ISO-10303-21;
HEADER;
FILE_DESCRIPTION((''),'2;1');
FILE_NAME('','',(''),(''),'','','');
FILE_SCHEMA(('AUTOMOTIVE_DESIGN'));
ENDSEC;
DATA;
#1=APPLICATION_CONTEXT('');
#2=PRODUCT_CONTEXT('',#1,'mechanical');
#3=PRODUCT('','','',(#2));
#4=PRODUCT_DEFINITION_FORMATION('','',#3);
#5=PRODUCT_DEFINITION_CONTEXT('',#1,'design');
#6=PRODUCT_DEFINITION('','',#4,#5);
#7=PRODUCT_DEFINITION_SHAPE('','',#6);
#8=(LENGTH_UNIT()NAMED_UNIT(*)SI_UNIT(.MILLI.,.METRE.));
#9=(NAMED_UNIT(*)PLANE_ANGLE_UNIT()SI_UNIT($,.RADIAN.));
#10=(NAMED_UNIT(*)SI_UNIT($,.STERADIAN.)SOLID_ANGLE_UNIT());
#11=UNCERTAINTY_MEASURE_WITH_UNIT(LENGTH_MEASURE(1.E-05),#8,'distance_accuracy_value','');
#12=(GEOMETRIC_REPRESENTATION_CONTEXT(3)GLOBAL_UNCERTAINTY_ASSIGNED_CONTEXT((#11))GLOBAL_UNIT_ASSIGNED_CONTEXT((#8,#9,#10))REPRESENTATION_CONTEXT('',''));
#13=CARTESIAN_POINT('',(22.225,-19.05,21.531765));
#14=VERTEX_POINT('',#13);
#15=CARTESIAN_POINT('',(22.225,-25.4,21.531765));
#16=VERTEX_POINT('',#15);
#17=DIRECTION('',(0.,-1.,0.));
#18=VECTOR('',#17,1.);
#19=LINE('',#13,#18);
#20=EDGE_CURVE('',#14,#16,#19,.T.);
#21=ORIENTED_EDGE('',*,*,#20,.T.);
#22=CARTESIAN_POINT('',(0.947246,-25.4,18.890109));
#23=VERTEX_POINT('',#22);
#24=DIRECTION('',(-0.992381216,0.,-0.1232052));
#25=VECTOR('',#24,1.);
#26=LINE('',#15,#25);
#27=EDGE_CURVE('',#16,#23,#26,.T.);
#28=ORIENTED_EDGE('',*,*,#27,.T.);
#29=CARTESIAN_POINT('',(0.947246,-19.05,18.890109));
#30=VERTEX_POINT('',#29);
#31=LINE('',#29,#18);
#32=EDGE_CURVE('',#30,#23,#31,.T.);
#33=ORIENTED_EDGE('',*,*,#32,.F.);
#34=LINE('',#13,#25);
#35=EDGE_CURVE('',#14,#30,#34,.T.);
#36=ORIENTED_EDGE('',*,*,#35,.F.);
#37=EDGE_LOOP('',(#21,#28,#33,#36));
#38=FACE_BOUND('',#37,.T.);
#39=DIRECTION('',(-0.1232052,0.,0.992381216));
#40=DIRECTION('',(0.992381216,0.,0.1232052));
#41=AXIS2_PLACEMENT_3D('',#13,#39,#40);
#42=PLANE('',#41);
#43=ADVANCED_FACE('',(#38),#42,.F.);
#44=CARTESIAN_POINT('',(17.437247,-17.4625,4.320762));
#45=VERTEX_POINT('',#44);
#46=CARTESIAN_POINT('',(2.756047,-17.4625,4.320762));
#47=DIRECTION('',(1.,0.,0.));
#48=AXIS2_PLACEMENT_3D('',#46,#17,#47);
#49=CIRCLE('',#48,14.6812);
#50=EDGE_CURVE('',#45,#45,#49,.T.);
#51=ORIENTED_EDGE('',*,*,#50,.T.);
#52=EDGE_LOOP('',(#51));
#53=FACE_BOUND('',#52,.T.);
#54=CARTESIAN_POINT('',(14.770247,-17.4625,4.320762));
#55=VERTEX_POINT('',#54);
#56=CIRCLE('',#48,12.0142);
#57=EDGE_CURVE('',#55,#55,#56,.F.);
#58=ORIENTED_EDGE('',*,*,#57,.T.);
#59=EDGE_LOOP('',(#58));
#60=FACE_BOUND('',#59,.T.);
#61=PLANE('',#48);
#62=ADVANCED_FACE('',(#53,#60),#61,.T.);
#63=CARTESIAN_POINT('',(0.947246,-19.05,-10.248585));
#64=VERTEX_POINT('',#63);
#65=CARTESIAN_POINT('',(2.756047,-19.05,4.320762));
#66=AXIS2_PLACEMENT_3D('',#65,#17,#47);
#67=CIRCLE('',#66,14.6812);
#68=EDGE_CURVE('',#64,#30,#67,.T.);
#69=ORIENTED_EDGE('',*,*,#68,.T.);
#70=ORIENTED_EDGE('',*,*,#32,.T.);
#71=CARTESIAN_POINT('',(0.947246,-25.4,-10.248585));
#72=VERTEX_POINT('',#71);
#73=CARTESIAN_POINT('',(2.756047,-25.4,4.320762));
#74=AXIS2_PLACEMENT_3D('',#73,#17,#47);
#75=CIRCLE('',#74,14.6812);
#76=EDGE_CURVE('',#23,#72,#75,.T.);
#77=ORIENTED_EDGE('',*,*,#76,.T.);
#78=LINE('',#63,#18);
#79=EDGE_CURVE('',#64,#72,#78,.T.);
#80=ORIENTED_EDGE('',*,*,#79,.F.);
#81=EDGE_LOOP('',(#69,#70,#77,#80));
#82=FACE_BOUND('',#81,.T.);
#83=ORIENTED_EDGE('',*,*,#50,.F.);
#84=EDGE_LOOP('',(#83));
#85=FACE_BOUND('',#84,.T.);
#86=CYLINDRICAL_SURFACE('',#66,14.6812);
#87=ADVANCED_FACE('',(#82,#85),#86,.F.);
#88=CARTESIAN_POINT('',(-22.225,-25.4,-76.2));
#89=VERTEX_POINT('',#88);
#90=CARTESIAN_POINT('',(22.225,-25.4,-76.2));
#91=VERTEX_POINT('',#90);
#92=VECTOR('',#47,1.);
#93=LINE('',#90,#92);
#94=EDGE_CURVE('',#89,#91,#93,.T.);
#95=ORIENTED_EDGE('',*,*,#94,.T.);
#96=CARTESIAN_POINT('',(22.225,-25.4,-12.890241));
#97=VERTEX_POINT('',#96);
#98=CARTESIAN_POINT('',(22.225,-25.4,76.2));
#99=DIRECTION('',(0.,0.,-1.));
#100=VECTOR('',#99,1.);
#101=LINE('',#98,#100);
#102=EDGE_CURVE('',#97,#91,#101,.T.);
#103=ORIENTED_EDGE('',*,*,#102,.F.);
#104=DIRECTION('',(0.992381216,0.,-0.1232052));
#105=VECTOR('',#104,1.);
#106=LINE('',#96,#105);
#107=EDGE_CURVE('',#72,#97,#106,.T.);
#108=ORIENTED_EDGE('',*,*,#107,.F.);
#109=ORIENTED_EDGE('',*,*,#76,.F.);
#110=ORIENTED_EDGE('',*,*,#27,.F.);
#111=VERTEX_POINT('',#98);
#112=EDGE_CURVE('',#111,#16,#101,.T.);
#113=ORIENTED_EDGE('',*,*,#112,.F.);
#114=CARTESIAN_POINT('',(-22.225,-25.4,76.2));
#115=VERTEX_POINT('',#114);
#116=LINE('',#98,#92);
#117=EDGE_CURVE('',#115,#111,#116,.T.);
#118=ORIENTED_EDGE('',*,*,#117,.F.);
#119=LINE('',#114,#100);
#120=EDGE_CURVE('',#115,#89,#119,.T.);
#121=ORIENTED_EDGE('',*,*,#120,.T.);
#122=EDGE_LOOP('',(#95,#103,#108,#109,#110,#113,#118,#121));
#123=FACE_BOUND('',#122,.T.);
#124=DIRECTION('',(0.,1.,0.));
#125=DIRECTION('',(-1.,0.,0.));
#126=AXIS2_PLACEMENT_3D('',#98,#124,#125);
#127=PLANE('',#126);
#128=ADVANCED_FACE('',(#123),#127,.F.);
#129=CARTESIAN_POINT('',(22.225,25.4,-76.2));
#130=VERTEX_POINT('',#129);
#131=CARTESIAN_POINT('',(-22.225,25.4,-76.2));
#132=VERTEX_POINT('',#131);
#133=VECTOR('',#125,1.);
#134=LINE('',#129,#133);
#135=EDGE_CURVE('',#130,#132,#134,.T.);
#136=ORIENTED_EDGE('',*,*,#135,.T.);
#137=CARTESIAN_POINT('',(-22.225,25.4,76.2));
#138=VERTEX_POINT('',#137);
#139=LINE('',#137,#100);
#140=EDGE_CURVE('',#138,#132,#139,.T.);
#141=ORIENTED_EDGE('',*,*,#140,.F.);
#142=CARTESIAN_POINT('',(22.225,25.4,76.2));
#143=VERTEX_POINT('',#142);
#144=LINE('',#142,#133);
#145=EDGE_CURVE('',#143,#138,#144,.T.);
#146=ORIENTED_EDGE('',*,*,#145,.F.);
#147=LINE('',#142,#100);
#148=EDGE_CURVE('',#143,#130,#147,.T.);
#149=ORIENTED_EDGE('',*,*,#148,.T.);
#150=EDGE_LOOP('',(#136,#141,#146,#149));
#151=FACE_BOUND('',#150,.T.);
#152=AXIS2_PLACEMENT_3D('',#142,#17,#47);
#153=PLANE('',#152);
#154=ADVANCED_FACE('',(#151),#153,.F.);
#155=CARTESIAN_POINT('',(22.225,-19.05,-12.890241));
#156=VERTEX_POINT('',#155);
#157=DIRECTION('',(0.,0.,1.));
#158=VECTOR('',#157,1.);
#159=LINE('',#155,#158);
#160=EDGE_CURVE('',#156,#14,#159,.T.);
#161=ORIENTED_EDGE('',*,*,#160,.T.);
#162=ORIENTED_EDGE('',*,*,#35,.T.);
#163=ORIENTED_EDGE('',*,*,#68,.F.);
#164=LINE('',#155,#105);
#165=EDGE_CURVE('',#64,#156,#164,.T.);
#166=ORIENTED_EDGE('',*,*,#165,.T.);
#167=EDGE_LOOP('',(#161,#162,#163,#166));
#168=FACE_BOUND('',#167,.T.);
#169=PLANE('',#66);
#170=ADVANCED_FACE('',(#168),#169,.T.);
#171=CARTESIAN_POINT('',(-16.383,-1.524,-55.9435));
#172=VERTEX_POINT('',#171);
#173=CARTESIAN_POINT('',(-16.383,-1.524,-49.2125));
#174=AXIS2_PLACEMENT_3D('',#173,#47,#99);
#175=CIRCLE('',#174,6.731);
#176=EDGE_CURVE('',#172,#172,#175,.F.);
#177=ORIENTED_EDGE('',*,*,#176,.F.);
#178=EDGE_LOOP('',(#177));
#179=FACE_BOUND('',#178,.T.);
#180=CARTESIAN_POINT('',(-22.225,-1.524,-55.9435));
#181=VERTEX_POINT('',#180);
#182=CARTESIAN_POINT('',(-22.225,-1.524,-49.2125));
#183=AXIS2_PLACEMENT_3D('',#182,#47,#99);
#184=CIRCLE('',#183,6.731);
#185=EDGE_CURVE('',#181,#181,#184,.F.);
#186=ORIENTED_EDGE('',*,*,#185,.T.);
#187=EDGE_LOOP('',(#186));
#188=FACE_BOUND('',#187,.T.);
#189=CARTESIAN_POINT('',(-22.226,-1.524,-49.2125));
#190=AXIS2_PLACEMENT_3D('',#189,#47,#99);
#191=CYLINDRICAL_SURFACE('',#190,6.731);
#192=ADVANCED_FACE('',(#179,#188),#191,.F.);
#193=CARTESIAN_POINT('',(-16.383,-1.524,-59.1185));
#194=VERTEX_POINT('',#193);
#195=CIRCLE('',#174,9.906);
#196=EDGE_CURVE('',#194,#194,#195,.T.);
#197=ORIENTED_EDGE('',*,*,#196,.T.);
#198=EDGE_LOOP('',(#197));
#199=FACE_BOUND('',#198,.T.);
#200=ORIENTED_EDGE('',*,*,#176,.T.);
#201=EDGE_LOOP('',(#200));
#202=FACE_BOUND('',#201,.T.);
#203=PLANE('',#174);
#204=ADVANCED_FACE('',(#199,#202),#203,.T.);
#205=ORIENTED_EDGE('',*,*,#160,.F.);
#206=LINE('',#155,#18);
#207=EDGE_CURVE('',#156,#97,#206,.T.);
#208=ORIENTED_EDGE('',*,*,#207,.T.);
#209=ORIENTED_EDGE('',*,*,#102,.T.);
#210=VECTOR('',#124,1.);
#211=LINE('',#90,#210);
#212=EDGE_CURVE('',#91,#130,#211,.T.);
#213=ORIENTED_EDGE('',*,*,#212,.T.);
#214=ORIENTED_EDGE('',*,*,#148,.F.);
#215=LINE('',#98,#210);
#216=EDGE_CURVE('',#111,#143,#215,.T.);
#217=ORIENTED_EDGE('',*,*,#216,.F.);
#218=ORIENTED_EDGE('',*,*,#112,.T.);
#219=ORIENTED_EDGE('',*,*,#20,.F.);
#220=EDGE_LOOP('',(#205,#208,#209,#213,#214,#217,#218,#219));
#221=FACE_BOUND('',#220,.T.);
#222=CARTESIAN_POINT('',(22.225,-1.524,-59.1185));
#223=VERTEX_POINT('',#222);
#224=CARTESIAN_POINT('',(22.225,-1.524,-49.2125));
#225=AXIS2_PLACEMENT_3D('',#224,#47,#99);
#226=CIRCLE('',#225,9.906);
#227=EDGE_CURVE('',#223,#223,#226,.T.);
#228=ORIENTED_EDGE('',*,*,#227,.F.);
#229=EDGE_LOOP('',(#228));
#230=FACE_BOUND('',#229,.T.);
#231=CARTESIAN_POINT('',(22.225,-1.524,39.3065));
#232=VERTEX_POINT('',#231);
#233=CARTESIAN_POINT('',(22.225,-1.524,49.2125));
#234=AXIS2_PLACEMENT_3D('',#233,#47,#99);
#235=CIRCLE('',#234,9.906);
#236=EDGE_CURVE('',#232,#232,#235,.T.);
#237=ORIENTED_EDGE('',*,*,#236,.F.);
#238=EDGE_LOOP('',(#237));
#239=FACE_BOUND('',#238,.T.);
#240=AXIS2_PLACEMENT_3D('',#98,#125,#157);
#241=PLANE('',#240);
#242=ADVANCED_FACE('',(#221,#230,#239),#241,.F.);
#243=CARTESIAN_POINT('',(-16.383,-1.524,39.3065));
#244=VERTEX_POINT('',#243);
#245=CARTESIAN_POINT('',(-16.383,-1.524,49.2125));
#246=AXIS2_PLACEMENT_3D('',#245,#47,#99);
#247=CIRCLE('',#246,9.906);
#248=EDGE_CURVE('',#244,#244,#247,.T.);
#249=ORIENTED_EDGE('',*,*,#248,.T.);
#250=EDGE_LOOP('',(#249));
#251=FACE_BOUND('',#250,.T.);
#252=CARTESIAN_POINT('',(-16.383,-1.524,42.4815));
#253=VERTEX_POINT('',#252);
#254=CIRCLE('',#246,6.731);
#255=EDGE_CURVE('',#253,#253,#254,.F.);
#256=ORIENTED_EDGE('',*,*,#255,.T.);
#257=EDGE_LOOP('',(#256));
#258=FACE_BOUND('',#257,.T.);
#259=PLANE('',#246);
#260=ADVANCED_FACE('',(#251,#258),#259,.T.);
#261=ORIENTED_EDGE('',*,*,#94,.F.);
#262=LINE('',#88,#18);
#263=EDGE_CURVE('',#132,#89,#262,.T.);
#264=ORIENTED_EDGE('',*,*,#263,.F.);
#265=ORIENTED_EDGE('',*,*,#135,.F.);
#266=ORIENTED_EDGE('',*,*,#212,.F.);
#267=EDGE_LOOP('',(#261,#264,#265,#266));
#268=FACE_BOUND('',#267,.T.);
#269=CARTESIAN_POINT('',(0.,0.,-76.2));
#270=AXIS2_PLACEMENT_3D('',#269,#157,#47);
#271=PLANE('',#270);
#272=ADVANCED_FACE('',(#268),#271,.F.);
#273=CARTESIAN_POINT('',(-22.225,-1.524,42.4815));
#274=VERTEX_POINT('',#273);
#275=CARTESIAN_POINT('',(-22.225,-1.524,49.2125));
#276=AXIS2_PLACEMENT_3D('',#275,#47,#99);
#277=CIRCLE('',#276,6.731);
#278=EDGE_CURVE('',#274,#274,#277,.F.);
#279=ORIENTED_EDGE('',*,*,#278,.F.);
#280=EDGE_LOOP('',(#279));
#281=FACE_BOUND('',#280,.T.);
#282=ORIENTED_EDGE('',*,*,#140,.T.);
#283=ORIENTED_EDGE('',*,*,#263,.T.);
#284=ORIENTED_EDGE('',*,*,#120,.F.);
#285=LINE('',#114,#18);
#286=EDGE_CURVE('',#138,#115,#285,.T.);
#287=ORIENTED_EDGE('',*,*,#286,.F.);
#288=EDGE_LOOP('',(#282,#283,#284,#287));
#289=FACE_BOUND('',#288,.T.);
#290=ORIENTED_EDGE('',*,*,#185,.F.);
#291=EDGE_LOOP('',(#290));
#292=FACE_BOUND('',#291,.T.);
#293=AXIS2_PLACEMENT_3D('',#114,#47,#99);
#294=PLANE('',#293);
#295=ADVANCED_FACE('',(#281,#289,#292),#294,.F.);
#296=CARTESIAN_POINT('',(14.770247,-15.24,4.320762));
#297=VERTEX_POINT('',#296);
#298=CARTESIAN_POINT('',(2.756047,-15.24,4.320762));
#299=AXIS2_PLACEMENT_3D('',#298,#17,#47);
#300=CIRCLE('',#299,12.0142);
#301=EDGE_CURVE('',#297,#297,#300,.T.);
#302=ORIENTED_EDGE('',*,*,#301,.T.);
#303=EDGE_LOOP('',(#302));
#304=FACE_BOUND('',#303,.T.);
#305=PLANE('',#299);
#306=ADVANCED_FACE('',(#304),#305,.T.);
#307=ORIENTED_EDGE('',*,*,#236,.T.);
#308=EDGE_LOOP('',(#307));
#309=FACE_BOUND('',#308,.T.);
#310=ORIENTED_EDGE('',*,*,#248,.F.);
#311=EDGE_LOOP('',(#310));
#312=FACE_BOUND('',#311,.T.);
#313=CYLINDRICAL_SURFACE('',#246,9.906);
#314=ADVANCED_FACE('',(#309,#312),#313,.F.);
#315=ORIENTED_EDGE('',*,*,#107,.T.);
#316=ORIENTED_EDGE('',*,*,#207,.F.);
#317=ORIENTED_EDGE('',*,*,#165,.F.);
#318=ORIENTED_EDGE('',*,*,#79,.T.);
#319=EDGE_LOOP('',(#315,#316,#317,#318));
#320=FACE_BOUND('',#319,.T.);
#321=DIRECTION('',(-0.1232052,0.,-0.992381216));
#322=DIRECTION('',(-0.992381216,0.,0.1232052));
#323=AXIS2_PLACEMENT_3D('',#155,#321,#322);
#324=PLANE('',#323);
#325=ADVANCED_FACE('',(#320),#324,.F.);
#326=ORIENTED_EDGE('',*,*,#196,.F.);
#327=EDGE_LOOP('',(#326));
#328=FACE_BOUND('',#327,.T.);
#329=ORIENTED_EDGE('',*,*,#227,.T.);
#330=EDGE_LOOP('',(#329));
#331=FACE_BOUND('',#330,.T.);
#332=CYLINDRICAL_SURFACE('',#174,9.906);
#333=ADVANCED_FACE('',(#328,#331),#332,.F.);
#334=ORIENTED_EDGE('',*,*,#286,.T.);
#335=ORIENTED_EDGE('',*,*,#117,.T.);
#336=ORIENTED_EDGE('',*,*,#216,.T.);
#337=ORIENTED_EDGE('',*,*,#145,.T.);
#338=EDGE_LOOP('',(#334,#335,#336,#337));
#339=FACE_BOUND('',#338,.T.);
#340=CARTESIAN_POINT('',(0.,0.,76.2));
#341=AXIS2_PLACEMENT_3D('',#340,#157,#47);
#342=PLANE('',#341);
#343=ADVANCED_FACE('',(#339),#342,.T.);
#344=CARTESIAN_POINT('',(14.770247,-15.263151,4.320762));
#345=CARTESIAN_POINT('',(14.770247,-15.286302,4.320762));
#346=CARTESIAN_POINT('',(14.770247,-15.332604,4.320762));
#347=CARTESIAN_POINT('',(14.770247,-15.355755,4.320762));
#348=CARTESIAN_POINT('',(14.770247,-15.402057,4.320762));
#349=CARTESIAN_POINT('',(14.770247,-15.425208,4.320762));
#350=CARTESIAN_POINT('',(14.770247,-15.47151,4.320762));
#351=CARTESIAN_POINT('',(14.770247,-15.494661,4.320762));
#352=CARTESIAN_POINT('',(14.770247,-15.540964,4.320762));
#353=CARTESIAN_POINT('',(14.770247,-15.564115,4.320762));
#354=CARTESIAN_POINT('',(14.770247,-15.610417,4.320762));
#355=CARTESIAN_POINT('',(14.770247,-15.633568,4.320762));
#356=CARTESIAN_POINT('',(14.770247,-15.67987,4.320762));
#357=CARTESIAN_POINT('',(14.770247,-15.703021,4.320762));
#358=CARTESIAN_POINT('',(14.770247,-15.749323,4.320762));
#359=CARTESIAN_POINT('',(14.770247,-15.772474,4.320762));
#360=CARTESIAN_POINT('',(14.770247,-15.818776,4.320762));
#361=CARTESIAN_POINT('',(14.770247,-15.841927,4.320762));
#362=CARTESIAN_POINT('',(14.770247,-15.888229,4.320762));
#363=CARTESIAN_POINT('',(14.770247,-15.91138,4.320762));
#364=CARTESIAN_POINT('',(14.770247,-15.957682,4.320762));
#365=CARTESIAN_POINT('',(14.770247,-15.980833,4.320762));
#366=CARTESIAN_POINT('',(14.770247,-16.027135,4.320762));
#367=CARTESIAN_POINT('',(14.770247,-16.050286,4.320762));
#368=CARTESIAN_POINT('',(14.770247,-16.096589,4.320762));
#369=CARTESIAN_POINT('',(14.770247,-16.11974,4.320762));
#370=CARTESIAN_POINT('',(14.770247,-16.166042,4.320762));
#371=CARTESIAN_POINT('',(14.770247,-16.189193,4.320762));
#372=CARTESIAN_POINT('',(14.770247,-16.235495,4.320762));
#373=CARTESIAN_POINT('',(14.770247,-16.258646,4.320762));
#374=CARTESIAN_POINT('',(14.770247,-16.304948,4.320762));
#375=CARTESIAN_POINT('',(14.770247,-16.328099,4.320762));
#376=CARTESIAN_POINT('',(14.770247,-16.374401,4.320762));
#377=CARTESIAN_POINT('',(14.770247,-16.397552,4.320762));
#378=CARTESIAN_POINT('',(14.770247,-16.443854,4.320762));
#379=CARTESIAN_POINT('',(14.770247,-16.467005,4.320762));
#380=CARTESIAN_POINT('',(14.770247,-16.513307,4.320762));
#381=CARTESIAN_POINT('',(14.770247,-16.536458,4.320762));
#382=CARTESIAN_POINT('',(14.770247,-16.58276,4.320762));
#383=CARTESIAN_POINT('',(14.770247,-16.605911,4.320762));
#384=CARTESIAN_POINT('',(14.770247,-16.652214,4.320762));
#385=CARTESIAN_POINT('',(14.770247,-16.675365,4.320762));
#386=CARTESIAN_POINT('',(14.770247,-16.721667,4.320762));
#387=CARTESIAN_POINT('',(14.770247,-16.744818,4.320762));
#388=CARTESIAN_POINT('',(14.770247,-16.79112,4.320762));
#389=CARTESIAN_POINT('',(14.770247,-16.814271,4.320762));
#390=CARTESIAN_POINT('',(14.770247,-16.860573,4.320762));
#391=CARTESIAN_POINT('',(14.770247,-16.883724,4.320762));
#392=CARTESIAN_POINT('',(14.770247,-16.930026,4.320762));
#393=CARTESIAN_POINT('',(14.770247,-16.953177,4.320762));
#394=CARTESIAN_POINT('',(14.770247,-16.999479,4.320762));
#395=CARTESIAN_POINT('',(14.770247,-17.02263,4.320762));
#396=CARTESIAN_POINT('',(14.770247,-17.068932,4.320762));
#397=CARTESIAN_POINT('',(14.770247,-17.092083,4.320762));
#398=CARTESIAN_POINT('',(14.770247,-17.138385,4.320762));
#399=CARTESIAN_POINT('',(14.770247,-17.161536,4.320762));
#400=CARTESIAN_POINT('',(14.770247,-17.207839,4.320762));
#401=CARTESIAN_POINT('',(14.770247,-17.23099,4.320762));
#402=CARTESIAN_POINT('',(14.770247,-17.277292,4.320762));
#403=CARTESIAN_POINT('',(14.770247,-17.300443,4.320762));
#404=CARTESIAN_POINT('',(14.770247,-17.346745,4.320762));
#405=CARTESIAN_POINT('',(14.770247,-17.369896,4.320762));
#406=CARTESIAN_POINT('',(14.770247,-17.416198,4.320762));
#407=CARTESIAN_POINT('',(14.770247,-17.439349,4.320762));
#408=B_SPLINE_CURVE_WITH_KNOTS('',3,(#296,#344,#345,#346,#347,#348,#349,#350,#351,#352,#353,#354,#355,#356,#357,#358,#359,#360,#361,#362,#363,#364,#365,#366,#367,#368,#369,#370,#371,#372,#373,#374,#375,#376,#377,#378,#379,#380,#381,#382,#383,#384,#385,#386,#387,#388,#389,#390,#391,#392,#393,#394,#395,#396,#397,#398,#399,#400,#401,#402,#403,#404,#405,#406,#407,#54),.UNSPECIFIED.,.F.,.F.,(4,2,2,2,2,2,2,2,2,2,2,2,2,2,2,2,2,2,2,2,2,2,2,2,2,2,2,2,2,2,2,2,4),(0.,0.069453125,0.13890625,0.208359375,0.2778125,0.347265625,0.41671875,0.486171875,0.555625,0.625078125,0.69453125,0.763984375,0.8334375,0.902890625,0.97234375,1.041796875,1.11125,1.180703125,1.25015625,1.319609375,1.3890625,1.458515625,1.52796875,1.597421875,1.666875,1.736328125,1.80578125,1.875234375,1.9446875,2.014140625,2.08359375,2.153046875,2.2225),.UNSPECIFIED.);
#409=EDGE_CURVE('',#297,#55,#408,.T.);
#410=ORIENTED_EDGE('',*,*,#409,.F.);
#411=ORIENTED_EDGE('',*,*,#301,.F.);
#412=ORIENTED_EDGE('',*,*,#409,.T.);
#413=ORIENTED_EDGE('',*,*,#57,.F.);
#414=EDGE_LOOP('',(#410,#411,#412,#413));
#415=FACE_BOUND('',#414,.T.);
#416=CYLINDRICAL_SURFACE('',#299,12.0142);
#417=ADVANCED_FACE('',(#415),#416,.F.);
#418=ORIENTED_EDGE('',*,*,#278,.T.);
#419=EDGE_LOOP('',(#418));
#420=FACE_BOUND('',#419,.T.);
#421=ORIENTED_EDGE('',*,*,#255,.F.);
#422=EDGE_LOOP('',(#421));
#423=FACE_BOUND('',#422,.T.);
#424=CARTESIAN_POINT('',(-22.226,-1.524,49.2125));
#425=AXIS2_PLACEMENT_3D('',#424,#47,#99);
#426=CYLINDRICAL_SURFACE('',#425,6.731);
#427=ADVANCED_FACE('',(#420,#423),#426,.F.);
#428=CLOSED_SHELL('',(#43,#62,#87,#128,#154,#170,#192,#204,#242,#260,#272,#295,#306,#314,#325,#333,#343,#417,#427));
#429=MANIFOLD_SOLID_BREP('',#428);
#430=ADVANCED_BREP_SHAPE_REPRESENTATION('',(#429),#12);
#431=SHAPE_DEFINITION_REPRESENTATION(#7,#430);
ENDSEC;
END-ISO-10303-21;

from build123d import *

# Parameters (mm, degrees)
SKETCH1_W           = 44.45
SKETCH1_H           = 50.8
BOSS_EXTRUDE1_DEPTH = 76.2
CUT_EXTRUDE1_REACH  = 93.801
SKETCH2_R           = 6.731
SKETCH3_R           = 9.906
CUT_EXTRUDE2_DEPTH  = 38.608
CUT_EXTRUDE3_DEPTH  = 6.35
SKETCH5_R           = 12.0142
CUT_EXTRUDE4_DEPTH  = 3.81
SKETCH6_R           = 14.6812
CUT_EXTRUDE5_DEPTH  = 1.5875


with BuildPart() as part:
    # Sketch1 → Boss-Extrude1 (new, symmetric)
    with BuildSketch(Plane.XY):
        Rectangle(SKETCH1_W, SKETCH1_H)
    extrude(amount=BOSS_EXTRUDE1_DEPTH, both=True)

    # Sketch2 → Cut-Extrude1 (cut, up to next)
    with BuildSketch(Plane(origin=(22.225, 0, 0), x_dir=(0, 0, -1), z_dir=(1, 0, 0)), mode=Mode.PRIVATE) as cut_extrude1_sk1:
        with Locations((-49.2125, -1.524)):
            Circle(SKETCH2_R)
    cut_extrude1_tool1 = extrude(cut_extrude1_sk1.sketch, amount=-CUT_EXTRUDE1_REACH, mode=Mode.PRIVATE) & part.part
    # Sketch2 → Cut-Extrude1 (cut, up to next)
    with BuildSketch(Plane(origin=(22.225, 0, 0), x_dir=(0, 0, -1), z_dir=(1, 0, 0)), mode=Mode.PRIVATE) as cut_extrude1_sk2:
        with Locations((49.2125, -1.524)):
            Circle(SKETCH2_R)
    cut_extrude1_tool2 = extrude(cut_extrude1_sk2.sketch, amount=-CUT_EXTRUDE1_REACH, mode=Mode.PRIVATE) & part.part
    add(cut_extrude1_tool1.solids().sort_by_distance((22.225, -1.524, 49.2125))[0], mode=Mode.SUBTRACT)
    add(cut_extrude1_tool2.solids().sort_by_distance((22.225, -1.524, -49.2125))[0], mode=Mode.SUBTRACT)

    # Sketch3 → Cut-Extrude2 (cut)
    with BuildSketch(Plane(origin=(22.225, 0, 0), x_dir=(0, 0, -1), z_dir=(1, 0, 0))):
        with Locations((-49.2125, -1.524)):
            Circle(SKETCH3_R)
        with Locations((49.2125, -1.524)):
            Circle(SKETCH3_R)
    extrude(amount=-CUT_EXTRUDE2_DEPTH, mode=Mode.SUBTRACT)

    # Sketch4 → Cut-Extrude3 (cut)
    with BuildSketch(Plane.XZ.offset(25.4)):
        with BuildLine():
            Line((22.225, -12.890241244), (22.225, 21.531765175))
            Line((22.225, 21.531765175), (0.947246364, 18.89010908))
            ThreePointArc((0.947246364, 18.89010908), (-11.925153457, 4.320761965), (0.947246364, -10.248585149))
            Line((0.947246364, -10.248585149), (22.225, -12.890241244))
        make_face()
    extrude(amount=-CUT_EXTRUDE3_DEPTH, mode=Mode.SUBTRACT)

    # Sketch5 → Cut-Extrude4 (cut)
    with BuildSketch(Plane.XZ.offset(19.05)):
        with Locations((2.756046543, 4.320761965)):
            Circle(SKETCH5_R)
    extrude(amount=-CUT_EXTRUDE4_DEPTH, mode=Mode.SUBTRACT)

    # Sketch6 → Cut-Extrude5 (cut)
    with BuildSketch(Plane.XZ.offset(19.05)):
        with Locations((2.756046543, 4.320761965)):
            Circle(SKETCH6_R)
    extrude(amount=-CUT_EXTRUDE5_DEPTH, mode=Mode.SUBTRACT)


solid = part.part
